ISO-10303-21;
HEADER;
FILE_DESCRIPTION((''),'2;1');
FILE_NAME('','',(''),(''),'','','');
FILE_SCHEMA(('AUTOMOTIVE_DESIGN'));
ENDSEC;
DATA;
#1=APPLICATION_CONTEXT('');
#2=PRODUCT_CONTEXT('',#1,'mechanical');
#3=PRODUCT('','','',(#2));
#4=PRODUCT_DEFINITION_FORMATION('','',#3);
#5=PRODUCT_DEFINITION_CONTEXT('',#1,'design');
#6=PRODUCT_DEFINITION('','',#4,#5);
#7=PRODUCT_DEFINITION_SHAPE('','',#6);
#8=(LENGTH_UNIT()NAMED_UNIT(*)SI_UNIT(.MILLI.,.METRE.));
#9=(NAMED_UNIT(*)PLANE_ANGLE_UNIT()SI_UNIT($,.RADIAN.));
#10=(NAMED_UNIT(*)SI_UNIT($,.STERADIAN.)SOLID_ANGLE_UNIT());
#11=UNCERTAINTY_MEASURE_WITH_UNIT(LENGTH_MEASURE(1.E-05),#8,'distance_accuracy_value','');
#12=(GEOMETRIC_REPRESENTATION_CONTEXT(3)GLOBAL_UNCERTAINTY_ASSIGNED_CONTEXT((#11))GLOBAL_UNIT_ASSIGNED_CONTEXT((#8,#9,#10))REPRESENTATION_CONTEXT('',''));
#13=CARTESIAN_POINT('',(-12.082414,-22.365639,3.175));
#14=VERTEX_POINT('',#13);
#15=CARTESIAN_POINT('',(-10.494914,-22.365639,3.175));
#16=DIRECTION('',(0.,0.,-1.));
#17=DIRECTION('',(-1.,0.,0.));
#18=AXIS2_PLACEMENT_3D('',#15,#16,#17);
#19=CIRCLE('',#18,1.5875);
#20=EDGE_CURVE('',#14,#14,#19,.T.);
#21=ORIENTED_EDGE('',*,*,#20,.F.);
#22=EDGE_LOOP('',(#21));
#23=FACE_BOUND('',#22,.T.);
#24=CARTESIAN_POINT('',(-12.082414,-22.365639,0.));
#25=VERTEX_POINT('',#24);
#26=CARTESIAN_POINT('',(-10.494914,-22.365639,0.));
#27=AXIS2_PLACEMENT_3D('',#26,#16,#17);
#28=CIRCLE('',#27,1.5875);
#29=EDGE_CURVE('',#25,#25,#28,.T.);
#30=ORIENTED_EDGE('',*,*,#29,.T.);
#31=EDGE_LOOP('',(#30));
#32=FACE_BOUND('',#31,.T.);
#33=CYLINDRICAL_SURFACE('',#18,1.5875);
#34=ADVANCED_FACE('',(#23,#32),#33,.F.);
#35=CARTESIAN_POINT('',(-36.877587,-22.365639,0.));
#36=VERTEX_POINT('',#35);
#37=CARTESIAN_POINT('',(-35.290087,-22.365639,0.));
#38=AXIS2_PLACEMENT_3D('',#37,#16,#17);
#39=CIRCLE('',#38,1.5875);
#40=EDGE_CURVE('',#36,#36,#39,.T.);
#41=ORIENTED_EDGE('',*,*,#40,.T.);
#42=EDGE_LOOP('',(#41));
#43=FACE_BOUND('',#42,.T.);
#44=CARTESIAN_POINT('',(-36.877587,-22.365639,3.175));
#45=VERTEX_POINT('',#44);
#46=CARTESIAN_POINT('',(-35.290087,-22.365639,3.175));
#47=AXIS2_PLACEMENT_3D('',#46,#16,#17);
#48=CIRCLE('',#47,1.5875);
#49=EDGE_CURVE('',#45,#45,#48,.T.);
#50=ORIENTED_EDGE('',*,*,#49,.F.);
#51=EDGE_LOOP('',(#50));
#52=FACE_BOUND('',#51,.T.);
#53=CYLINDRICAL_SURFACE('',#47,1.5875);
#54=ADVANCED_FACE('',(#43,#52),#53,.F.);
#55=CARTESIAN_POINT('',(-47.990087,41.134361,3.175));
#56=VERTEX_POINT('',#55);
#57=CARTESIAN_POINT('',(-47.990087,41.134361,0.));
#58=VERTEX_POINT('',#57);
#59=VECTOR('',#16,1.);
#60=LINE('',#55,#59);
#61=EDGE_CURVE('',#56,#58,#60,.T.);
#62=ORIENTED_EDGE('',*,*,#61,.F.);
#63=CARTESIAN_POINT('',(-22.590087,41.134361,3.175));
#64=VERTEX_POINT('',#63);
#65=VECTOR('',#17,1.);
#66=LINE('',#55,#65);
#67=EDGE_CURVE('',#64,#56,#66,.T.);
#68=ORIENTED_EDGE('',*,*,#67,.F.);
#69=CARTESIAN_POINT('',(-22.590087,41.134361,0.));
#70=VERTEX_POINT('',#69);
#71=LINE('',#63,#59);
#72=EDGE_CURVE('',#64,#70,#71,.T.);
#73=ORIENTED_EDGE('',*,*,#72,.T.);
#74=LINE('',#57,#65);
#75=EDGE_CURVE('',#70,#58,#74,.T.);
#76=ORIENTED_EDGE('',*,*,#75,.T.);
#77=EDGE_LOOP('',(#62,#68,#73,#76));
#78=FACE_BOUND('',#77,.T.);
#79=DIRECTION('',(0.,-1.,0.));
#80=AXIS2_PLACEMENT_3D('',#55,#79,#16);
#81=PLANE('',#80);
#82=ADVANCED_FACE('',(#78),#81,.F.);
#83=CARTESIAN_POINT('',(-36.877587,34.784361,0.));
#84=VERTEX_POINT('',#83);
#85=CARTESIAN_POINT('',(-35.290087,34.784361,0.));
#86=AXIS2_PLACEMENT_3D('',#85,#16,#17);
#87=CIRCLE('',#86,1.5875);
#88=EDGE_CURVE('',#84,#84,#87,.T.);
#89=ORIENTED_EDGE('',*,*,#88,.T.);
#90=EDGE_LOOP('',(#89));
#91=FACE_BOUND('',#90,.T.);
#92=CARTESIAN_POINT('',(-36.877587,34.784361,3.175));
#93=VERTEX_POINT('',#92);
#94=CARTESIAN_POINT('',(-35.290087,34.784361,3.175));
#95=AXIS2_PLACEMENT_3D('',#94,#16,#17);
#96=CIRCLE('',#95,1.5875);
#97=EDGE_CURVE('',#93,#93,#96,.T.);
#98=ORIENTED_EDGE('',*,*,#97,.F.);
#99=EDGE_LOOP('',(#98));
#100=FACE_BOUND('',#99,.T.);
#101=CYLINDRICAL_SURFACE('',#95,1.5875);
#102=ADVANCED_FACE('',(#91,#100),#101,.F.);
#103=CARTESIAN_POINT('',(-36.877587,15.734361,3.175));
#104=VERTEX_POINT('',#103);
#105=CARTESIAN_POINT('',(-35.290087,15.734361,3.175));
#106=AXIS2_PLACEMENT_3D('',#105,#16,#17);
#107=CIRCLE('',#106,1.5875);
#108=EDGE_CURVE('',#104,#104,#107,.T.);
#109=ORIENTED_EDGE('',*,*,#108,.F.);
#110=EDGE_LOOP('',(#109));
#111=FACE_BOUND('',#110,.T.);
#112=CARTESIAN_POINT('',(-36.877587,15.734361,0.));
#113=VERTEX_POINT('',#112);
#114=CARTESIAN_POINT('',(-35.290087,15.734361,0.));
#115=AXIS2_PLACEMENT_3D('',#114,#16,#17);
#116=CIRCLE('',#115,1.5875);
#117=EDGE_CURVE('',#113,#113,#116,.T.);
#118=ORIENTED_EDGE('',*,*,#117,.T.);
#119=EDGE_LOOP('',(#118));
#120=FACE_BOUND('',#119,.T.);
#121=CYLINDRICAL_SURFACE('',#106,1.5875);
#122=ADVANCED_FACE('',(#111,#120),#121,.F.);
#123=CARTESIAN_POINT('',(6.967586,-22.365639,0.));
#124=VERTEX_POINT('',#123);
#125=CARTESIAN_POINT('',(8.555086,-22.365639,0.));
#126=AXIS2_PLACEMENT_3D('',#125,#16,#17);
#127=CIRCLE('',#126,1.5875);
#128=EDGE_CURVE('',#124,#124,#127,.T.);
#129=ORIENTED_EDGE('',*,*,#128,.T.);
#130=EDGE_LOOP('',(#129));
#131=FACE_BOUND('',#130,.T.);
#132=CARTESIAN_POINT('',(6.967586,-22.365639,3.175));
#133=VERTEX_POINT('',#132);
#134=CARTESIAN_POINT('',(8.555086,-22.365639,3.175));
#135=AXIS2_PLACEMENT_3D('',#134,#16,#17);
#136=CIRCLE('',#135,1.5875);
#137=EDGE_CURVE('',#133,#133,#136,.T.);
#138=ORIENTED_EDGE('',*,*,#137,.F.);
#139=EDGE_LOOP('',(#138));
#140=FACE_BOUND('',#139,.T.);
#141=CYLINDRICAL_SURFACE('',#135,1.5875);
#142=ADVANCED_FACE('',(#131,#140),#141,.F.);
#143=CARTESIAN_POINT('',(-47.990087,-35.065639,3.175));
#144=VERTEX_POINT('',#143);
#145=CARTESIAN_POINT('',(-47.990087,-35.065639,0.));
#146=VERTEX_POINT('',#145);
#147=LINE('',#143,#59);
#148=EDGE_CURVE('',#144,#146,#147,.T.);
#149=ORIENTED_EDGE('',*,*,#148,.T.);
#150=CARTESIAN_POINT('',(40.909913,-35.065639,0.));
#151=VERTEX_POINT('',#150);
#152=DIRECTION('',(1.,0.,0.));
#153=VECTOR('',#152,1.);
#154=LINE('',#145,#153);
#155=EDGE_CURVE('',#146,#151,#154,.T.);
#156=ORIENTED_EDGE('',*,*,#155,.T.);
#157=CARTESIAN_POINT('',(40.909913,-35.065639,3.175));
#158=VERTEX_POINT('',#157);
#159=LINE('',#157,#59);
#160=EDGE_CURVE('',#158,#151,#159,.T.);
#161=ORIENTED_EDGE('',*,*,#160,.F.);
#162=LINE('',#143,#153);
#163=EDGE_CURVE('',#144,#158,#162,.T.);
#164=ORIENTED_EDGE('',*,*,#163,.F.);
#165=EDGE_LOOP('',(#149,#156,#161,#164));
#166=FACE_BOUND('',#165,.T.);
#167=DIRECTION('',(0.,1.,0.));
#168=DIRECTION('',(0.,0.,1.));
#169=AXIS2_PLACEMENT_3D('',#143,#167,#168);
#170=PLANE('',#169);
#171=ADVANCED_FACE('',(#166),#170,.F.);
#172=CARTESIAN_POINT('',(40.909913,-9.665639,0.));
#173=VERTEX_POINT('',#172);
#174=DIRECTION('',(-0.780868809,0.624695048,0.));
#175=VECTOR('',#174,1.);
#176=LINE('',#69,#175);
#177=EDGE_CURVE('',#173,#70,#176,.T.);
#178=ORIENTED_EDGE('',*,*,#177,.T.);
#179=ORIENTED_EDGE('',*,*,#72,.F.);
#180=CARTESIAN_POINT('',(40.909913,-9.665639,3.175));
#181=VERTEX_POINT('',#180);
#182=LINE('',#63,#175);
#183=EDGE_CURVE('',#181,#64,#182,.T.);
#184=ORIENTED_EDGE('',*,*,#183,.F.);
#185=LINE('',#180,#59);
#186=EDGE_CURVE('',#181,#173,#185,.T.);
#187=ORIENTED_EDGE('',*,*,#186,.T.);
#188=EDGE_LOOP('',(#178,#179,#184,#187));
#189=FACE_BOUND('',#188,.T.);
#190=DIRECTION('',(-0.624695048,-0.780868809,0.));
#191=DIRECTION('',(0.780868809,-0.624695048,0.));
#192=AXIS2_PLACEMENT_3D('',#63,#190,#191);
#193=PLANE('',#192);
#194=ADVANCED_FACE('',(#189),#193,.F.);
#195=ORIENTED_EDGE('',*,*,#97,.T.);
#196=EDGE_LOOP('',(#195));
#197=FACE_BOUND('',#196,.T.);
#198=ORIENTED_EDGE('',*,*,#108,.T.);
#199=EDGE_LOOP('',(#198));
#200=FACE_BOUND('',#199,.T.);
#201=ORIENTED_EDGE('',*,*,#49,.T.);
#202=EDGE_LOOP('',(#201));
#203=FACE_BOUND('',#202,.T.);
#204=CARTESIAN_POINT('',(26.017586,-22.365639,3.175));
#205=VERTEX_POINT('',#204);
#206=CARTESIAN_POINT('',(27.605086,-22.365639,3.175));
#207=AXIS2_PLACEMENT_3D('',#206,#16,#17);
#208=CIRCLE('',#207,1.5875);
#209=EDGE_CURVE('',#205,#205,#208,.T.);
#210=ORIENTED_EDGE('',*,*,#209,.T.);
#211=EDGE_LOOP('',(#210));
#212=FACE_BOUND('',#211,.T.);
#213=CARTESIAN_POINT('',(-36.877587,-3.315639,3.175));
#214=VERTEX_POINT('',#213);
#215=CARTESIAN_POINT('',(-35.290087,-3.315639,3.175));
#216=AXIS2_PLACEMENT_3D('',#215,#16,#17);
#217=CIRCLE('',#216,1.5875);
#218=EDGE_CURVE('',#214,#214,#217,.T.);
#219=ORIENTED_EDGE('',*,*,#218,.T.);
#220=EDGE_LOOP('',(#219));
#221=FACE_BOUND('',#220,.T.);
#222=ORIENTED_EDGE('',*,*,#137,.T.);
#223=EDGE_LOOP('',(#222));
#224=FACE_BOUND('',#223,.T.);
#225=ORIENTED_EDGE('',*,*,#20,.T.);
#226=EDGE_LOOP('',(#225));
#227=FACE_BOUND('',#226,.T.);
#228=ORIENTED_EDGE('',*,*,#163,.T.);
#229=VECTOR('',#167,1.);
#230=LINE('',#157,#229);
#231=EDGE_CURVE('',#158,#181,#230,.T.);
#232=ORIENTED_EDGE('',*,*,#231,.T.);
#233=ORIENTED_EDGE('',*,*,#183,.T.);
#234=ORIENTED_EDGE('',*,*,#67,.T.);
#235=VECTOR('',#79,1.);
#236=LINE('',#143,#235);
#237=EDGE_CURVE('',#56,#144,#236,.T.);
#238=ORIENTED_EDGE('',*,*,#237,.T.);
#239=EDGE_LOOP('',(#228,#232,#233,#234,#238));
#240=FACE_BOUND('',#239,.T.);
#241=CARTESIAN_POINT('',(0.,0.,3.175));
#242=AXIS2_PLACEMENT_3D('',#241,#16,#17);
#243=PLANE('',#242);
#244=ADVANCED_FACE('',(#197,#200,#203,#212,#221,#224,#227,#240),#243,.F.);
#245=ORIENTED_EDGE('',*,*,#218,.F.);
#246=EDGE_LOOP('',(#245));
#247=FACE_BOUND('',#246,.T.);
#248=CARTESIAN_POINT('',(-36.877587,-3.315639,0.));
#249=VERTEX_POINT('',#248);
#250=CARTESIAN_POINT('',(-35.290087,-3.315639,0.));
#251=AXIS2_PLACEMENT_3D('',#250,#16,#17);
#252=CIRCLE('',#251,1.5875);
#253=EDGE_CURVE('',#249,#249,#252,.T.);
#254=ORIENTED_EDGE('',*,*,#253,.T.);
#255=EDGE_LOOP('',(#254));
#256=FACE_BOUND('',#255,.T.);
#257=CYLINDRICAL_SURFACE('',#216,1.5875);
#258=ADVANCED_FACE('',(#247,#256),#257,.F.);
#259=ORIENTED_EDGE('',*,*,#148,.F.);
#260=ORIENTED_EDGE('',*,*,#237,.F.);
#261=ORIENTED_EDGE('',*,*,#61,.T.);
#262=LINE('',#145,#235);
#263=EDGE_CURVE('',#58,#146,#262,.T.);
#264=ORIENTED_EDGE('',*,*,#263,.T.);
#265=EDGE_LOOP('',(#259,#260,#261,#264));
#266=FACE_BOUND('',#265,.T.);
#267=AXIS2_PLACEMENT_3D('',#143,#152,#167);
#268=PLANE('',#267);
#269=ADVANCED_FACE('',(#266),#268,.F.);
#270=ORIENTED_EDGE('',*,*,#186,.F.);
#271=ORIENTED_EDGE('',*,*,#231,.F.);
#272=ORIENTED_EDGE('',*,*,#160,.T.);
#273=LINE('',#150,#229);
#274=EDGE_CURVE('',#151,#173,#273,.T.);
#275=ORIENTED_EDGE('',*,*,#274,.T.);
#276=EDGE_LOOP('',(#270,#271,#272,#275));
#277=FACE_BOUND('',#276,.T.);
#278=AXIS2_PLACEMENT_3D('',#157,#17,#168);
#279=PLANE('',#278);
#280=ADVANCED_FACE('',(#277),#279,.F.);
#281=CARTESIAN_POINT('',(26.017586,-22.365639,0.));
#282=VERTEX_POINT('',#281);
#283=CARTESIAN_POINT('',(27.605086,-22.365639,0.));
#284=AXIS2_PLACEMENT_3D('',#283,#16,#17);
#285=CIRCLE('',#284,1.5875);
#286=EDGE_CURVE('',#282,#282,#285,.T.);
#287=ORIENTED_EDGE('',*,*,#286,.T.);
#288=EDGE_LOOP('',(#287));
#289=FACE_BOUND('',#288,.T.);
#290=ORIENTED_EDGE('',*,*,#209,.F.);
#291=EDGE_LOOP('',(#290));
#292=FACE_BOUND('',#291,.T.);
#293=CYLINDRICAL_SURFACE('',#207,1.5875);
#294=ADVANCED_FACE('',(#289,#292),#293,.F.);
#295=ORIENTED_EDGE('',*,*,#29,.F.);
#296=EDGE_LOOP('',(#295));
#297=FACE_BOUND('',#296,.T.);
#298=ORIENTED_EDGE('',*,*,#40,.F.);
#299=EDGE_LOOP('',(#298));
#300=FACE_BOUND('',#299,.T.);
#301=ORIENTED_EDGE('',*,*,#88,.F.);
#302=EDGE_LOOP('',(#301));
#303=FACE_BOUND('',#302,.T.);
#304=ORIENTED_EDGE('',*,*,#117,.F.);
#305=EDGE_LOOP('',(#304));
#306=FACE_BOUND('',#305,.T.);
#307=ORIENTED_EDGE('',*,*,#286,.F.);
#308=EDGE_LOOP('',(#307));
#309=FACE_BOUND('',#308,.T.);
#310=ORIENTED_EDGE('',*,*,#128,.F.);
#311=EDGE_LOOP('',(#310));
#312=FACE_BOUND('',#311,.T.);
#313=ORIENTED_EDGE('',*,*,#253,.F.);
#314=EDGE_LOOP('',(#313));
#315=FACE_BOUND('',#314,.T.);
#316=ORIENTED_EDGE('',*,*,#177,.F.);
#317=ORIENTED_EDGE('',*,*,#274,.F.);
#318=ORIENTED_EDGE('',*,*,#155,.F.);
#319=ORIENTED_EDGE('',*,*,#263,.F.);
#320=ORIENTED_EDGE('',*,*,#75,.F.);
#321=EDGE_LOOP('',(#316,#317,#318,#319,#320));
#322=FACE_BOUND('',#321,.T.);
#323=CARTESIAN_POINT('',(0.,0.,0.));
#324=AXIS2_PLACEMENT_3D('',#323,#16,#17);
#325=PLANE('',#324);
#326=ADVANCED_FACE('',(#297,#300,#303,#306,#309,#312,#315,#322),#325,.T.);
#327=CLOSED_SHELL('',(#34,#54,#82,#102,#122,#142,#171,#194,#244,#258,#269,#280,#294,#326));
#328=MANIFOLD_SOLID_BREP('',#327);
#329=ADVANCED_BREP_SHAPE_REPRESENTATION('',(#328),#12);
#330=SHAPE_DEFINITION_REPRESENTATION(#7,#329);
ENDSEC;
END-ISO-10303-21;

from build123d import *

# Parameters (mm, degrees)
BOSS_EXTRUDE1_DEPTH = 3.175
SKETCH2_R           = 1.5875
CUT_EXTRUDE1_DEPTH  = 64.286370995


with BuildPart() as part:
    # Sketch1 → Boss-Extrude1 (new body)
    with BuildSketch(Plane.XY):
        Polygon((40.909912505, -35.06563929), (40.909912505, -9.66563929), (-22.590087495, 41.13436071), (-47.990087495, 41.13436071), (-47.990087495, -35.06563929), align=None)
    extrude(amount=BOSS_EXTRUDE1_DEPTH)

    # Sketch2 → Cut-Extrude1 (cut, through all)
    with BuildSketch(Plane(origin=(0, 0, 0), x_dir=(-1, 0, 0), z_dir=(0, 0, -1))):
        with Locations((35.290087495, -22.36563929)):
            Circle(SKETCH2_R)
        with Locations((35.290087495, -3.31563929)):
            Circle(SKETCH2_R)
        with Locations((35.290087495, 15.73436071)):
            Circle(SKETCH2_R)
        with Locations((35.290087495, 34.78436071)):
            Circle(SKETCH2_R)
        with Locations((10.494914026, -22.36563929)):
            Circle(SKETCH2_R)
        with Locations((-8.555085974, -22.36563929)):
            Circle(SKETCH2_R)
        with Locations((-27.605085974, -22.36563929)):
            Circle(SKETCH2_R)
    extrude(amount=-CUT_EXTRUDE1_DEPTH, mode=Mode.SUBTRACT)


solid = part.part
